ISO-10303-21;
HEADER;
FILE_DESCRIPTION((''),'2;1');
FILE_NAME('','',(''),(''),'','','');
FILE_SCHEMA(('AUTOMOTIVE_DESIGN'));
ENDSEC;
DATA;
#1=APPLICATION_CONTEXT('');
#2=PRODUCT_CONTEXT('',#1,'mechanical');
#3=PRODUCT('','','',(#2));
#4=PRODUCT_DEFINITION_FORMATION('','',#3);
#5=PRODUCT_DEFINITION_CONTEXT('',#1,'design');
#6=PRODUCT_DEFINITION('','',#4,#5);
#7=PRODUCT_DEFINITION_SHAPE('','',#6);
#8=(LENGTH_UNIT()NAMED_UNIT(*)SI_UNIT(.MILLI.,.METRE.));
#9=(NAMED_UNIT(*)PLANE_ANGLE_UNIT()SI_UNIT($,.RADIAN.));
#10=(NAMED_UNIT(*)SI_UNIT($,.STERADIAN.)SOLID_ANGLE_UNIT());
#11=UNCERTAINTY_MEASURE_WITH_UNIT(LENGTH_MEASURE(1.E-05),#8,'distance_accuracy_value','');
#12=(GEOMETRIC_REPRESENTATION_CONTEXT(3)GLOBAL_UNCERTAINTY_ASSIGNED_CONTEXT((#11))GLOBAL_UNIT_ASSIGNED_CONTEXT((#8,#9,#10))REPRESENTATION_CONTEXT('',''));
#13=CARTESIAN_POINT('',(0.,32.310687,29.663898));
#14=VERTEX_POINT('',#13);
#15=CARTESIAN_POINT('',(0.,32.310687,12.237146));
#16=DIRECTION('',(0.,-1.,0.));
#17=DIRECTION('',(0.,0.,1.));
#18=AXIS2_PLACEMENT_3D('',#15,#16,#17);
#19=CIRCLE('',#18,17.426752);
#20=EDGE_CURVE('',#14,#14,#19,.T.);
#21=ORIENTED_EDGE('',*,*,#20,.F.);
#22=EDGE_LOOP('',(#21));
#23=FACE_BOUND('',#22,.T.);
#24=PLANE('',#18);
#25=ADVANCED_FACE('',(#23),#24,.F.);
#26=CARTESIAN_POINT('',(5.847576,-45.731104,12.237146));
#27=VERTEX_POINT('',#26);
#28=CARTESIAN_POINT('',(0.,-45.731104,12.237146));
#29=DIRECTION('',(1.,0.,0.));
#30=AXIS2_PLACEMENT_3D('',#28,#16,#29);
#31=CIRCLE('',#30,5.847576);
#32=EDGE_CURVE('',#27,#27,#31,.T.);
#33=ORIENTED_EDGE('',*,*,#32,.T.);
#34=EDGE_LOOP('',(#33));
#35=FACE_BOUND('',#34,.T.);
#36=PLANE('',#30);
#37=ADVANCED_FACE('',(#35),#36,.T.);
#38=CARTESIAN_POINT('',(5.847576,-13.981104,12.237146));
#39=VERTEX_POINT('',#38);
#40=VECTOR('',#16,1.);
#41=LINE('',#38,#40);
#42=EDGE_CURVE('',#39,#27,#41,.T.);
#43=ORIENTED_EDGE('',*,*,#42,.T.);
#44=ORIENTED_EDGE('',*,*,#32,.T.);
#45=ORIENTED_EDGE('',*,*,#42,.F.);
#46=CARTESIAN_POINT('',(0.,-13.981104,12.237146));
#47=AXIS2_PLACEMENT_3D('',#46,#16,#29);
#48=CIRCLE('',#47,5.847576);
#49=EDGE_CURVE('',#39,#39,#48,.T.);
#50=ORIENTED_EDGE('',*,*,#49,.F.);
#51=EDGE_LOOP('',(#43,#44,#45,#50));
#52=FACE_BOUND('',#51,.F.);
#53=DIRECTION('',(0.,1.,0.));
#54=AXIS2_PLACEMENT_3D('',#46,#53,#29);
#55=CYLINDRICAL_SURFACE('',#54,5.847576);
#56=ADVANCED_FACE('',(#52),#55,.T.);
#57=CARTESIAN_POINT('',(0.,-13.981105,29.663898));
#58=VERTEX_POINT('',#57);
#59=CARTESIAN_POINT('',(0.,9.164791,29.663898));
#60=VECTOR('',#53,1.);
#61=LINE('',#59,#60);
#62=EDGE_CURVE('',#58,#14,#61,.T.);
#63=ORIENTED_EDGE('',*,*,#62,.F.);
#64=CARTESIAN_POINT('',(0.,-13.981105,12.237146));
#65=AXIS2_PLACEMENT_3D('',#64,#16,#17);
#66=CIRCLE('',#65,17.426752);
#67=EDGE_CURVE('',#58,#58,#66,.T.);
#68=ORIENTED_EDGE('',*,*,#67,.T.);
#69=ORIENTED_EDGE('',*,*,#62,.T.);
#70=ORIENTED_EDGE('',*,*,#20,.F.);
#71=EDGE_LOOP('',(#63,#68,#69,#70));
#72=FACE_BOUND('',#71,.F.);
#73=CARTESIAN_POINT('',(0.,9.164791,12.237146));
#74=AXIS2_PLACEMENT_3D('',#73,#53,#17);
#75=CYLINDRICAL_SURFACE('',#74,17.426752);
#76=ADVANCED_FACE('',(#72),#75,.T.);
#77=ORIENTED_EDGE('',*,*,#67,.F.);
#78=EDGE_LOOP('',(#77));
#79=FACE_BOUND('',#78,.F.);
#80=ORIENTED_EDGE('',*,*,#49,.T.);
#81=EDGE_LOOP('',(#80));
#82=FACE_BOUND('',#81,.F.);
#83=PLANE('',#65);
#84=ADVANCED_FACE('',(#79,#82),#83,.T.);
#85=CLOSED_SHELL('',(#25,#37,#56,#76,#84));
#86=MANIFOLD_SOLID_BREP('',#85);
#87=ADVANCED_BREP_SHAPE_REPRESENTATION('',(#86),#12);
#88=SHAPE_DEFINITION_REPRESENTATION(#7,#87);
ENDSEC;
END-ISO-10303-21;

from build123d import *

# Parameters (mm, degrees)
F0_W     = 46.291791
F0_H     = 17.426752
F2_R     = 5.847576
F3_DEPTH = 31.75


with BuildPart() as f1:
    # F0 (on Right) → F1 (revolve)
    with BuildSketch(Plane.YZ):
        with Locations((9.164791, 20.950522)):
            Rectangle(F0_W, F0_H)
    revolve(axis=Axis((0, 9.164792, 12.237146), (0, -1, 0)))

    # F2 (on face) → F3 (join)
    with BuildSketch(Plane.XZ.offset(13.981104)):
        with Locations((0, 12.237146)):
            Circle(F2_R)
    extrude(amount=F3_DEPTH)


solid = f1.part
